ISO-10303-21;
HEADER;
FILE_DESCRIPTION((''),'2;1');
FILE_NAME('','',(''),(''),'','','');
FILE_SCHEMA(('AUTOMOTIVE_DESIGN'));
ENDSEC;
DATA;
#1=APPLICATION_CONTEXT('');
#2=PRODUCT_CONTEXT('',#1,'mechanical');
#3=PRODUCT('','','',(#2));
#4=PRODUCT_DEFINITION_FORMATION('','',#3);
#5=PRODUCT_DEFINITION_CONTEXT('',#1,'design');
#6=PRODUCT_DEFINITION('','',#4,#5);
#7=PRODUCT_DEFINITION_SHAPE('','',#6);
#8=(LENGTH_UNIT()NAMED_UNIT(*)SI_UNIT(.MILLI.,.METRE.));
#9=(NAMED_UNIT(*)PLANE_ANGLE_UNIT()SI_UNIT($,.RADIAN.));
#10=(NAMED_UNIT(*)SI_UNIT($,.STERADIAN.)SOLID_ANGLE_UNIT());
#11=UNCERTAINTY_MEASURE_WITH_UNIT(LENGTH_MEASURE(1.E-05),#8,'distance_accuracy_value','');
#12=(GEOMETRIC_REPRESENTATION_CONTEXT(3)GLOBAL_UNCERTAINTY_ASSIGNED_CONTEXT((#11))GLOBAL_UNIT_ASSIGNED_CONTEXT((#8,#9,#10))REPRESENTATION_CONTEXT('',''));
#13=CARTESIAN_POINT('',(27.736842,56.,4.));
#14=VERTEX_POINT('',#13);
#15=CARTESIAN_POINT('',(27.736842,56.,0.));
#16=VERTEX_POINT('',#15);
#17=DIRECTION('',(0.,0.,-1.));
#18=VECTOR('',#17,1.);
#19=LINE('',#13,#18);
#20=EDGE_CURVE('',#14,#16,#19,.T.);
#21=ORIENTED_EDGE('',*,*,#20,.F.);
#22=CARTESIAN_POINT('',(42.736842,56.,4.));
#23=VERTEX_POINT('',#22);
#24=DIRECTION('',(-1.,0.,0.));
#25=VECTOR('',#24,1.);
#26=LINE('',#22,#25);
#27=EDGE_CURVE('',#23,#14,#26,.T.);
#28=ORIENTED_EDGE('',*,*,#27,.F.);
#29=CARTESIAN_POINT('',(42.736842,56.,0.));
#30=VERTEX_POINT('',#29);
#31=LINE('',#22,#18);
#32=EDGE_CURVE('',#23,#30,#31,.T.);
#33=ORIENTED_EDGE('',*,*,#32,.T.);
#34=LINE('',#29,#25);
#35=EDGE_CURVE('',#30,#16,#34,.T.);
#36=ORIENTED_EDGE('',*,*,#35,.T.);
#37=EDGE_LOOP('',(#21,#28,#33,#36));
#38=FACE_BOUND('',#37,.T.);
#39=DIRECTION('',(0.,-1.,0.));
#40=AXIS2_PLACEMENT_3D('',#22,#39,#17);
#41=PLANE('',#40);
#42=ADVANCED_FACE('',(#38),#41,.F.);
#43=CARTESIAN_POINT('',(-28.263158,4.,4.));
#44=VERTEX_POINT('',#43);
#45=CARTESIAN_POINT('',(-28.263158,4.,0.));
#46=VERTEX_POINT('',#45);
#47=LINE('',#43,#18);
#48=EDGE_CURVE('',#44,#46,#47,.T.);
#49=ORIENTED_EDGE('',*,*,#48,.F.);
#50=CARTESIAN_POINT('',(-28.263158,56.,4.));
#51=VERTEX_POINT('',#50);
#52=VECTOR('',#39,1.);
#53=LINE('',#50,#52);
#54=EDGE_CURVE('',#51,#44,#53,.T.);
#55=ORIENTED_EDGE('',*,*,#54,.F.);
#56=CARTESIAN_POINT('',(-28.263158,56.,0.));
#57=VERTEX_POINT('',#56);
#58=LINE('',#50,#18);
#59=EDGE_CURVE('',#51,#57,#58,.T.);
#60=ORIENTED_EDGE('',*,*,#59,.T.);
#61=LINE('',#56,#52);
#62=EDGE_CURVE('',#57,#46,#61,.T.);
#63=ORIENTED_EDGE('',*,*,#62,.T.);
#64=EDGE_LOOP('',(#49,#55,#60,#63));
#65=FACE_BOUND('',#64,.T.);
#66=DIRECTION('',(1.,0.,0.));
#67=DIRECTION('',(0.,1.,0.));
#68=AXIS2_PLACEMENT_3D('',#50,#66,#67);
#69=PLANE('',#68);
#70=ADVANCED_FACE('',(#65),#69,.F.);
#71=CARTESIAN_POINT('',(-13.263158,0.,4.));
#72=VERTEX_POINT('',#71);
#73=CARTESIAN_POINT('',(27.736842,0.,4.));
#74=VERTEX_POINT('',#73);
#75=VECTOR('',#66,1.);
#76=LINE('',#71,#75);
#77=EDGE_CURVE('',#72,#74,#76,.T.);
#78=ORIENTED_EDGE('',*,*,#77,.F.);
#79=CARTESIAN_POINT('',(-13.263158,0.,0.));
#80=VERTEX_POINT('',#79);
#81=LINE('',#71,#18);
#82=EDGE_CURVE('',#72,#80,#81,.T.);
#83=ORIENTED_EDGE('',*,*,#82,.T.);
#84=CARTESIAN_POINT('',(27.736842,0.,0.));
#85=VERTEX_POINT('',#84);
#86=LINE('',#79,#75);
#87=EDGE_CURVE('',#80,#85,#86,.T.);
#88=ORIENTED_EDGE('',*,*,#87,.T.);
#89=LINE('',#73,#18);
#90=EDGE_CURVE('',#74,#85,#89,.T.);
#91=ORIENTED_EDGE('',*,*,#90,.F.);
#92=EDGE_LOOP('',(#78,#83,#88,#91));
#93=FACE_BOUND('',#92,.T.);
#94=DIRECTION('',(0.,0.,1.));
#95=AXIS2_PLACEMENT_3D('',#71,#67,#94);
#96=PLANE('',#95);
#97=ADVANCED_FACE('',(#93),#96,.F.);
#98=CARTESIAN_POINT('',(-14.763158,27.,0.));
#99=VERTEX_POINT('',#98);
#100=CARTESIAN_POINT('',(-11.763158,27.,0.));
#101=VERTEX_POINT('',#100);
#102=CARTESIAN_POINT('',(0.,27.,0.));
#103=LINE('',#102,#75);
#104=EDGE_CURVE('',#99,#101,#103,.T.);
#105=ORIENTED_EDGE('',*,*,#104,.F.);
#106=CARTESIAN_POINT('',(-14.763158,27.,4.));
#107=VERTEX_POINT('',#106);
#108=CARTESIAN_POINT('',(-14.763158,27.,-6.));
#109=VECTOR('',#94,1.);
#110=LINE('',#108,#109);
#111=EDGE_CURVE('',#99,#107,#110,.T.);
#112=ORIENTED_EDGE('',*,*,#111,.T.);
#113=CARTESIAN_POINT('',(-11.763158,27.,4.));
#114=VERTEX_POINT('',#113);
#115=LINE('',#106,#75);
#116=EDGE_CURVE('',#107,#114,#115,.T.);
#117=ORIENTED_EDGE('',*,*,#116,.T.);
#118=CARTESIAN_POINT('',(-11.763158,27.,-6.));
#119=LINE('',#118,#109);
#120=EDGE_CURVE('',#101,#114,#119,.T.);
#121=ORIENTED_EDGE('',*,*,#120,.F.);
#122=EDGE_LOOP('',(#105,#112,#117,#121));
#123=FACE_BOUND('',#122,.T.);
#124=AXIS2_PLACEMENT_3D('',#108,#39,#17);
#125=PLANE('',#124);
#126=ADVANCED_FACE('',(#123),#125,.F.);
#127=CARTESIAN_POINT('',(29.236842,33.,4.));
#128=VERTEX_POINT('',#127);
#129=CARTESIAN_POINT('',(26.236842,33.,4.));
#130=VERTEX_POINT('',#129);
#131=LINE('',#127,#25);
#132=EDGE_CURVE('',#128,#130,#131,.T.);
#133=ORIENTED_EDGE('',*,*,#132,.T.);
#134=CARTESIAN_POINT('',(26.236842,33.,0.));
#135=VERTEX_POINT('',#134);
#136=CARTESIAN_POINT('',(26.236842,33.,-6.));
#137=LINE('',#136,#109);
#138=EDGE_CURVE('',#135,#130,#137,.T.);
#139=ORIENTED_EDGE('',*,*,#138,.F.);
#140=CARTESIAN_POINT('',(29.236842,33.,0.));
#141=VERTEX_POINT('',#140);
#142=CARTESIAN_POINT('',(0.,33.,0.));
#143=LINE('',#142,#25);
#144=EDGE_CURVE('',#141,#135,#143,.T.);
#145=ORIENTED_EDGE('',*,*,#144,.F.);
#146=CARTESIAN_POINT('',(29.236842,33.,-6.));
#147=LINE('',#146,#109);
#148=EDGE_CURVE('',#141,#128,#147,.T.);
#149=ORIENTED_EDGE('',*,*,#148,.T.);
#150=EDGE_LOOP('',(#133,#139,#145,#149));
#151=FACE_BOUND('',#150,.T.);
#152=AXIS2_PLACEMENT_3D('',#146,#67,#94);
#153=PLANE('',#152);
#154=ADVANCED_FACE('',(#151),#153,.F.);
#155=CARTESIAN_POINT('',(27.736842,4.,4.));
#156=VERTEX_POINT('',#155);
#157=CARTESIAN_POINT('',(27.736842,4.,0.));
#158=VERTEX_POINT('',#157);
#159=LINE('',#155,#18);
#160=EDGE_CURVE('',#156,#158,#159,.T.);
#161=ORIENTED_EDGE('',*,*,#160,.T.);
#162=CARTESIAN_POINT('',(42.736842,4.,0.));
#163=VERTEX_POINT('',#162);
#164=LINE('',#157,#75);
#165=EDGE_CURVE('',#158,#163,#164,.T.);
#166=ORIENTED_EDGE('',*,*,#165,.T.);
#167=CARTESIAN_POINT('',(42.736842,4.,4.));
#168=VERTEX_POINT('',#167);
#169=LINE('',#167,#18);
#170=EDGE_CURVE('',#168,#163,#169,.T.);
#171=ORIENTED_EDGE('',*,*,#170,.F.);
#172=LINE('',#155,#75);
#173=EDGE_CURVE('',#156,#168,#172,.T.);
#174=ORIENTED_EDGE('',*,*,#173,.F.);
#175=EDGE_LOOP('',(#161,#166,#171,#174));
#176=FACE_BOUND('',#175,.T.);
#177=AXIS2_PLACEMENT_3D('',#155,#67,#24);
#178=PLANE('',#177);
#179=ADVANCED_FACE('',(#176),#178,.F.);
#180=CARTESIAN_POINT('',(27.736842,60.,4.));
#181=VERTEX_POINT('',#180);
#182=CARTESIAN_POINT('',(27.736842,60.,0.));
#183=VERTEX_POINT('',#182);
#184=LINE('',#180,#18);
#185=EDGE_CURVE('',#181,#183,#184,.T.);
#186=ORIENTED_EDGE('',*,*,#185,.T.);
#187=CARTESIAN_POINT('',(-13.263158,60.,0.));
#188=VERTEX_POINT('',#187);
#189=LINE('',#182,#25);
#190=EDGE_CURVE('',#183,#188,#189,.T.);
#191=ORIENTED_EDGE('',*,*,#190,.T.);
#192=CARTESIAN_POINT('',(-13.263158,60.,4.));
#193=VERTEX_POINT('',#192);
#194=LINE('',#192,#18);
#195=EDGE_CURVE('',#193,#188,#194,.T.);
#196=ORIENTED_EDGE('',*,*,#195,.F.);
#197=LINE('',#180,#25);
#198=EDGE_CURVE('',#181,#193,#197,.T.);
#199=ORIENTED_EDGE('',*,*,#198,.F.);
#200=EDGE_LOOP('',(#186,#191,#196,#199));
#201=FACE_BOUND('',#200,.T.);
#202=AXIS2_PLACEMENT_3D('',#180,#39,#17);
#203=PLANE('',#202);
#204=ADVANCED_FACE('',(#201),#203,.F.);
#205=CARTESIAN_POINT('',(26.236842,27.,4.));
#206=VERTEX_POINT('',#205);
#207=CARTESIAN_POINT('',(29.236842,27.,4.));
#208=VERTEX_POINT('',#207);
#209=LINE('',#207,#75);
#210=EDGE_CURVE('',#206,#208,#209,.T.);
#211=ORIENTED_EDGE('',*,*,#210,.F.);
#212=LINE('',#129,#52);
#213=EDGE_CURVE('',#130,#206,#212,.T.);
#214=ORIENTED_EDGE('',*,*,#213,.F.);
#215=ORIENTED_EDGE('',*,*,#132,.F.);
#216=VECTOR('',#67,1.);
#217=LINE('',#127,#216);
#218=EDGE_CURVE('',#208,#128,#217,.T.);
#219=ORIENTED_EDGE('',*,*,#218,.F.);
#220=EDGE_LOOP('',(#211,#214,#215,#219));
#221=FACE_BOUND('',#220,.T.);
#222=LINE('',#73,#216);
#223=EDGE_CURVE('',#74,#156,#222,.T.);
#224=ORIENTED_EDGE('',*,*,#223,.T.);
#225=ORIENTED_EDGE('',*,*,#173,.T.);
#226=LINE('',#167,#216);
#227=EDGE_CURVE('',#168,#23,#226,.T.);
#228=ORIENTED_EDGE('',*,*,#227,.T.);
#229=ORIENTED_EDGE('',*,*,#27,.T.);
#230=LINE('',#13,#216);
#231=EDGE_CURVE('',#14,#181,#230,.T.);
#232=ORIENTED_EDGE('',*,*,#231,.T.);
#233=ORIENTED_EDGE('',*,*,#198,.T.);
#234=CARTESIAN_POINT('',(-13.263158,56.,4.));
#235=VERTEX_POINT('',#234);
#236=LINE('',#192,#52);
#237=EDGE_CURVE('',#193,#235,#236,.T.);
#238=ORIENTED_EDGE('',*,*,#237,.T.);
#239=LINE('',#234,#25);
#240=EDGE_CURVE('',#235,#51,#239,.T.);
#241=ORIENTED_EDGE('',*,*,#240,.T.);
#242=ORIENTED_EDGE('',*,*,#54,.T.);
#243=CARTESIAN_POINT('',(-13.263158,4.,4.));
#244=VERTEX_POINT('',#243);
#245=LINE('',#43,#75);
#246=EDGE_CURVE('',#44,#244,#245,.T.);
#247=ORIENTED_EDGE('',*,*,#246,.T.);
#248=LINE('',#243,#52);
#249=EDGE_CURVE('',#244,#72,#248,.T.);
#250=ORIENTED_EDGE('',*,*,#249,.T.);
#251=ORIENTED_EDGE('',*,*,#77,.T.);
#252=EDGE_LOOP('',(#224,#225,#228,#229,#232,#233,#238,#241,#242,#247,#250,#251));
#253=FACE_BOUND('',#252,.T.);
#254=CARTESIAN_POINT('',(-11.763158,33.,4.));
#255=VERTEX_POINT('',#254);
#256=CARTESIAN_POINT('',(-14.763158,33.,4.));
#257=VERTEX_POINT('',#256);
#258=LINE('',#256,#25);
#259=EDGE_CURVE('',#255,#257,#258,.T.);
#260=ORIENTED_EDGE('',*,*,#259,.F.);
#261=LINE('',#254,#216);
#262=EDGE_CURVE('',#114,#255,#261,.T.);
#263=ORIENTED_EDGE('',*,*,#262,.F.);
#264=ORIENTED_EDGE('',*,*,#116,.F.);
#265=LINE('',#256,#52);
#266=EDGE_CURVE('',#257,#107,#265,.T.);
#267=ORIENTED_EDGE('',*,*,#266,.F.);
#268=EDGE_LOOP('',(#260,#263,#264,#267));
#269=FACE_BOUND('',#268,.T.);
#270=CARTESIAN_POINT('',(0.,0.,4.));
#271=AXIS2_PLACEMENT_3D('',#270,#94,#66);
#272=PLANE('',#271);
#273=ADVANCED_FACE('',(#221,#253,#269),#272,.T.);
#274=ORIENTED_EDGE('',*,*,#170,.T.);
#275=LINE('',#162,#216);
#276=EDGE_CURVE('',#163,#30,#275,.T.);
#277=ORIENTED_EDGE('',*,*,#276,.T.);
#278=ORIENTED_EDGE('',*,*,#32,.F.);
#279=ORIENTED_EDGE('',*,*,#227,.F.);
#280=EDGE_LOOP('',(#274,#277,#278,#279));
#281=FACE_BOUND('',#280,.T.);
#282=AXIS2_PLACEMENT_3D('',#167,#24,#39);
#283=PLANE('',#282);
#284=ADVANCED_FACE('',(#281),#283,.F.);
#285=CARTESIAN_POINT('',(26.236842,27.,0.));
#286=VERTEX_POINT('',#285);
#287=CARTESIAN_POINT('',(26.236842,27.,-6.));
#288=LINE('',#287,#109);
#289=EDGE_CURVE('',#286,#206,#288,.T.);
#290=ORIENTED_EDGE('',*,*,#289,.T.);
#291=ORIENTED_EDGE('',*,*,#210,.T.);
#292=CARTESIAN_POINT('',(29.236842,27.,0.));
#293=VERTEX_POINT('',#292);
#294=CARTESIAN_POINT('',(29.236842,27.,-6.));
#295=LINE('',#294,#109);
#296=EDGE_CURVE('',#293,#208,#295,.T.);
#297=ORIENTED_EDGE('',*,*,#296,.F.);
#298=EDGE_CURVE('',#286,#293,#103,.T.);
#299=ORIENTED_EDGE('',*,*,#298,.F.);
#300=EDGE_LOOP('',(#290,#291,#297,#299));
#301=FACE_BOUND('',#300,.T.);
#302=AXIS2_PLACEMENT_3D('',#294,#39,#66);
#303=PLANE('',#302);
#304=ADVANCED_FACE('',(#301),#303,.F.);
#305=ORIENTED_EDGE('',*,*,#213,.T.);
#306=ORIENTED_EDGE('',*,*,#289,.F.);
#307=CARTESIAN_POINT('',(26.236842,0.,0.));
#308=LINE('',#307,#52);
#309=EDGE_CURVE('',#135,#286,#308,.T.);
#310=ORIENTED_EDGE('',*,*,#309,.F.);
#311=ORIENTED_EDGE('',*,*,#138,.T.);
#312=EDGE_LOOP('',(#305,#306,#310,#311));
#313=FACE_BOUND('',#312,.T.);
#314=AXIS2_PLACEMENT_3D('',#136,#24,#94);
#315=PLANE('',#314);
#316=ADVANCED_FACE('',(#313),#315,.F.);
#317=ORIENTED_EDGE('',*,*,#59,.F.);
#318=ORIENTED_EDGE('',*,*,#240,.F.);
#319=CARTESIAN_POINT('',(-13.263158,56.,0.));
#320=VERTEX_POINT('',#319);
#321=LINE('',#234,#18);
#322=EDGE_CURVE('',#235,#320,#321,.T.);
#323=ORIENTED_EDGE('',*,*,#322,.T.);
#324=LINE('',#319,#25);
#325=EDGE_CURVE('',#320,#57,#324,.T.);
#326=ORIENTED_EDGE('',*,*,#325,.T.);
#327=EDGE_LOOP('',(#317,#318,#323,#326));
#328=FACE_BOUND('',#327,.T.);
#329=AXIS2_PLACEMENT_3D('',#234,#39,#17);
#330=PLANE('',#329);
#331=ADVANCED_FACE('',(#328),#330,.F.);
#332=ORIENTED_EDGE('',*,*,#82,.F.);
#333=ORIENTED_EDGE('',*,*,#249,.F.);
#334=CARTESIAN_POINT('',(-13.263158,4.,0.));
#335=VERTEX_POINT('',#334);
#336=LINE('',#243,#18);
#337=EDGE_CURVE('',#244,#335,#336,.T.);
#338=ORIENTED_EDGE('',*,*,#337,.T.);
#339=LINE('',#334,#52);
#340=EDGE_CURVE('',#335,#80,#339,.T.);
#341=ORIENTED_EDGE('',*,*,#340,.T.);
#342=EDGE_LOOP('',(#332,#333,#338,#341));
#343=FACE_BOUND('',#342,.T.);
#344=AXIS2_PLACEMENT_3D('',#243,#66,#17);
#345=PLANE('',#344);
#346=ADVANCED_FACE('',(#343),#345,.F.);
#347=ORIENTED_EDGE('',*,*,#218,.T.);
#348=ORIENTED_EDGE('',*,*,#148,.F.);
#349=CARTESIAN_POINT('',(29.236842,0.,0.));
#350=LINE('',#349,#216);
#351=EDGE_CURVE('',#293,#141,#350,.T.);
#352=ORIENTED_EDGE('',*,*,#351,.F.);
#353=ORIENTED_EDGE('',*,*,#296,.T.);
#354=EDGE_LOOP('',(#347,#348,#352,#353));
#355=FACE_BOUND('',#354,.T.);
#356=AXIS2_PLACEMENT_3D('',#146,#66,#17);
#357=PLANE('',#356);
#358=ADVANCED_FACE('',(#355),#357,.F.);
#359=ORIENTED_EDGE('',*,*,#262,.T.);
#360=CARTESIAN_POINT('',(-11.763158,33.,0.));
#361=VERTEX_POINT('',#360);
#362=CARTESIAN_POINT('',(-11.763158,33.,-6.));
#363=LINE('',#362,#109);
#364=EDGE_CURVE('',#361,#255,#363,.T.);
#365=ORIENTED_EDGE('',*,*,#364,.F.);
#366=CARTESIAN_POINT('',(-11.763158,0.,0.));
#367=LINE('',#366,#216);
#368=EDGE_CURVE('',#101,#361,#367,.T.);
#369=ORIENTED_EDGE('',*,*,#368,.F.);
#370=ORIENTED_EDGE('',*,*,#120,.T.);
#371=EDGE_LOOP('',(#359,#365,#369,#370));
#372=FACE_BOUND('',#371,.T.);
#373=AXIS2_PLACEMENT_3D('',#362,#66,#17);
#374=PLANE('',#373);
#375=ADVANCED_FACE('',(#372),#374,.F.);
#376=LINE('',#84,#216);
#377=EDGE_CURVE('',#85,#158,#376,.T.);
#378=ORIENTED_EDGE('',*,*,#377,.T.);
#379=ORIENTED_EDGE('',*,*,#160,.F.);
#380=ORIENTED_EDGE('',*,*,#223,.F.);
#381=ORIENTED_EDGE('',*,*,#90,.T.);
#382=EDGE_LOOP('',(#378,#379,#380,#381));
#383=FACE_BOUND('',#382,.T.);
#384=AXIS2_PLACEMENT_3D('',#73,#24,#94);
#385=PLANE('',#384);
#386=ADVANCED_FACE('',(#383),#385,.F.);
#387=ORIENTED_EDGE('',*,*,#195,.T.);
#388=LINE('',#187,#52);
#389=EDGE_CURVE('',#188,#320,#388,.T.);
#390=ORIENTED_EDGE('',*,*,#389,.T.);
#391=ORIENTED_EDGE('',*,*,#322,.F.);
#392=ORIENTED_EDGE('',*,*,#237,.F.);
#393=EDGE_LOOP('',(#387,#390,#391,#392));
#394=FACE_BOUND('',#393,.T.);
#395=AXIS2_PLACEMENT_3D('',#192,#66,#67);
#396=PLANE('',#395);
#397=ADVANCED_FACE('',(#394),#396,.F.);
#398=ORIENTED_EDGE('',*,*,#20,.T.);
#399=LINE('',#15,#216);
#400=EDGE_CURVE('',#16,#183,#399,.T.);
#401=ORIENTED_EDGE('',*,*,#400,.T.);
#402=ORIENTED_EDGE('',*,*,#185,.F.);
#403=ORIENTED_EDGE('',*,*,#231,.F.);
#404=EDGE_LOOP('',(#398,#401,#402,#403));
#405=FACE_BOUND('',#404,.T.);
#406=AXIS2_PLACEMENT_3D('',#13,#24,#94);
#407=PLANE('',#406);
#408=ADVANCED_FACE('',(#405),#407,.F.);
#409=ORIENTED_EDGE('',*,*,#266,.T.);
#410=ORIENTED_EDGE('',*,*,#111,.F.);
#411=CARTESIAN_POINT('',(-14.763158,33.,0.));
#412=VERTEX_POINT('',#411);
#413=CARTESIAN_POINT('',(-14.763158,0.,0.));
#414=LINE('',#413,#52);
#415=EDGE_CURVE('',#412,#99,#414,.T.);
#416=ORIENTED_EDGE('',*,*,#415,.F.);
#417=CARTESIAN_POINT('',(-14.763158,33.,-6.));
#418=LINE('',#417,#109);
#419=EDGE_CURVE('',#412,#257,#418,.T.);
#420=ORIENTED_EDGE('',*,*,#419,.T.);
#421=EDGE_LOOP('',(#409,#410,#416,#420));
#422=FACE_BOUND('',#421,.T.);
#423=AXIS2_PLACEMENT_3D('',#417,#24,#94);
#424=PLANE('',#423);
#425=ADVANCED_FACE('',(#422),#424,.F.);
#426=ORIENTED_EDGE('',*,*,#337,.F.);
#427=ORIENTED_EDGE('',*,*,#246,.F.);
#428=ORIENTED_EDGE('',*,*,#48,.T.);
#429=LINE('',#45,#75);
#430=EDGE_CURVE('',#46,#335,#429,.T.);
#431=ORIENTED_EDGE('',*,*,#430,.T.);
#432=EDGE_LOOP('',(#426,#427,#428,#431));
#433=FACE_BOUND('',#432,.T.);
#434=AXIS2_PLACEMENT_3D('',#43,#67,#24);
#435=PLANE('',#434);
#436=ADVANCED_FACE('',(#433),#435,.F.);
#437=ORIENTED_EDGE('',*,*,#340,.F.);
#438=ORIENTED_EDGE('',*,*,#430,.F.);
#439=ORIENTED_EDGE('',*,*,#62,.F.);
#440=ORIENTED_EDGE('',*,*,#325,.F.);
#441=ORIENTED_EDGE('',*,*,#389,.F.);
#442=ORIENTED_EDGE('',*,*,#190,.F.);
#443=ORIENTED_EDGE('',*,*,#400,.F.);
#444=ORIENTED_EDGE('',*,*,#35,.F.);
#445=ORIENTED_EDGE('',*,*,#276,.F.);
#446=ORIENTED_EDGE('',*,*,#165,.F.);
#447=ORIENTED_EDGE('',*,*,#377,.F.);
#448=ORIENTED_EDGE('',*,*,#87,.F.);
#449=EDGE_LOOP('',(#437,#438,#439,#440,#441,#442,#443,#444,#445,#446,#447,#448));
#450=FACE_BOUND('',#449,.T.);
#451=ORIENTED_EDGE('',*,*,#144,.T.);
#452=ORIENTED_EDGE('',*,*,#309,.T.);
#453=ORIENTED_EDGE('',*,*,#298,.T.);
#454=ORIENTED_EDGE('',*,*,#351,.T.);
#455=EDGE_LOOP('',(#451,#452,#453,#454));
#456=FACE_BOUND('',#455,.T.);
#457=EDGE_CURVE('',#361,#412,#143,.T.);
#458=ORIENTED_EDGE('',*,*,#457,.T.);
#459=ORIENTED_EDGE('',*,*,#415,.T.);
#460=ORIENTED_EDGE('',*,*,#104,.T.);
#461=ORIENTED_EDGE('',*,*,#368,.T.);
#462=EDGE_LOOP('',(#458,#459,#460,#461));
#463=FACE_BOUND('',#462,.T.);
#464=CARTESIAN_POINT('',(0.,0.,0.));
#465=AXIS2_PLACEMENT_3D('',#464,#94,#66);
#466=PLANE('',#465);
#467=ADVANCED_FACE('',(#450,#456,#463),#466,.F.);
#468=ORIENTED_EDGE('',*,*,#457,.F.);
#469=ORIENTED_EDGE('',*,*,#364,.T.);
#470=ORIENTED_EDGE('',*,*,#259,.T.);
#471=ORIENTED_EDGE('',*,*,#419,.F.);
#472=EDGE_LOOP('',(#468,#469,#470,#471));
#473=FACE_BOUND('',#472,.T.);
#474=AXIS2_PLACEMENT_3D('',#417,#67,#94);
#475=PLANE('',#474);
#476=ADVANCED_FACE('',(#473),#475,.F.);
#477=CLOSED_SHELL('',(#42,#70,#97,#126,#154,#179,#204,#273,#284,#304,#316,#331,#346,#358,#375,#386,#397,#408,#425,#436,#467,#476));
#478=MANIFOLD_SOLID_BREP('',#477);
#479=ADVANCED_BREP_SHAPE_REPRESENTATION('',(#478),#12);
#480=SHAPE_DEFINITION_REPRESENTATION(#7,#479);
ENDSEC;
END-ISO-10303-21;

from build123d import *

# Parameters (mm, degrees)
BOSS_EXTRUDE1_DEPTH = 4
SKETCH2_W           = 3
SKETCH2_H           = 6
CUT_EXTRUDE1_DEPTH  = 10


with BuildPart() as part:
    # Sketch1 → Boss-Extrude1 (new body)
    with BuildSketch(Plane.XY):
        Polygon((-13.263157895, 0), (27.736842105, 0), (27.736842105, 4), (42.736842105, 4), (42.736842105, 56), (27.736842105, 56), (27.736842105, 60), (-13.263157895, 60), (-13.263157895, 56), (-28.263157895, 56), (-28.263157895, 4), (-13.263157895, 4), align=None)
    extrude(amount=BOSS_EXTRUDE1_DEPTH)

    # Sketch2 → Cut-Extrude1 (cut)
    with BuildSketch(Plane.XY.offset(4)):
        with Locations((-13.263157895, 30)):
            Rectangle(SKETCH2_W, SKETCH2_H)
        with Locations((27.736842105, 30)):
            Rectangle(SKETCH2_W, SKETCH2_H)
    extrude(amount=-CUT_EXTRUDE1_DEPTH, mode=Mode.SUBTRACT)


solid = part.part
